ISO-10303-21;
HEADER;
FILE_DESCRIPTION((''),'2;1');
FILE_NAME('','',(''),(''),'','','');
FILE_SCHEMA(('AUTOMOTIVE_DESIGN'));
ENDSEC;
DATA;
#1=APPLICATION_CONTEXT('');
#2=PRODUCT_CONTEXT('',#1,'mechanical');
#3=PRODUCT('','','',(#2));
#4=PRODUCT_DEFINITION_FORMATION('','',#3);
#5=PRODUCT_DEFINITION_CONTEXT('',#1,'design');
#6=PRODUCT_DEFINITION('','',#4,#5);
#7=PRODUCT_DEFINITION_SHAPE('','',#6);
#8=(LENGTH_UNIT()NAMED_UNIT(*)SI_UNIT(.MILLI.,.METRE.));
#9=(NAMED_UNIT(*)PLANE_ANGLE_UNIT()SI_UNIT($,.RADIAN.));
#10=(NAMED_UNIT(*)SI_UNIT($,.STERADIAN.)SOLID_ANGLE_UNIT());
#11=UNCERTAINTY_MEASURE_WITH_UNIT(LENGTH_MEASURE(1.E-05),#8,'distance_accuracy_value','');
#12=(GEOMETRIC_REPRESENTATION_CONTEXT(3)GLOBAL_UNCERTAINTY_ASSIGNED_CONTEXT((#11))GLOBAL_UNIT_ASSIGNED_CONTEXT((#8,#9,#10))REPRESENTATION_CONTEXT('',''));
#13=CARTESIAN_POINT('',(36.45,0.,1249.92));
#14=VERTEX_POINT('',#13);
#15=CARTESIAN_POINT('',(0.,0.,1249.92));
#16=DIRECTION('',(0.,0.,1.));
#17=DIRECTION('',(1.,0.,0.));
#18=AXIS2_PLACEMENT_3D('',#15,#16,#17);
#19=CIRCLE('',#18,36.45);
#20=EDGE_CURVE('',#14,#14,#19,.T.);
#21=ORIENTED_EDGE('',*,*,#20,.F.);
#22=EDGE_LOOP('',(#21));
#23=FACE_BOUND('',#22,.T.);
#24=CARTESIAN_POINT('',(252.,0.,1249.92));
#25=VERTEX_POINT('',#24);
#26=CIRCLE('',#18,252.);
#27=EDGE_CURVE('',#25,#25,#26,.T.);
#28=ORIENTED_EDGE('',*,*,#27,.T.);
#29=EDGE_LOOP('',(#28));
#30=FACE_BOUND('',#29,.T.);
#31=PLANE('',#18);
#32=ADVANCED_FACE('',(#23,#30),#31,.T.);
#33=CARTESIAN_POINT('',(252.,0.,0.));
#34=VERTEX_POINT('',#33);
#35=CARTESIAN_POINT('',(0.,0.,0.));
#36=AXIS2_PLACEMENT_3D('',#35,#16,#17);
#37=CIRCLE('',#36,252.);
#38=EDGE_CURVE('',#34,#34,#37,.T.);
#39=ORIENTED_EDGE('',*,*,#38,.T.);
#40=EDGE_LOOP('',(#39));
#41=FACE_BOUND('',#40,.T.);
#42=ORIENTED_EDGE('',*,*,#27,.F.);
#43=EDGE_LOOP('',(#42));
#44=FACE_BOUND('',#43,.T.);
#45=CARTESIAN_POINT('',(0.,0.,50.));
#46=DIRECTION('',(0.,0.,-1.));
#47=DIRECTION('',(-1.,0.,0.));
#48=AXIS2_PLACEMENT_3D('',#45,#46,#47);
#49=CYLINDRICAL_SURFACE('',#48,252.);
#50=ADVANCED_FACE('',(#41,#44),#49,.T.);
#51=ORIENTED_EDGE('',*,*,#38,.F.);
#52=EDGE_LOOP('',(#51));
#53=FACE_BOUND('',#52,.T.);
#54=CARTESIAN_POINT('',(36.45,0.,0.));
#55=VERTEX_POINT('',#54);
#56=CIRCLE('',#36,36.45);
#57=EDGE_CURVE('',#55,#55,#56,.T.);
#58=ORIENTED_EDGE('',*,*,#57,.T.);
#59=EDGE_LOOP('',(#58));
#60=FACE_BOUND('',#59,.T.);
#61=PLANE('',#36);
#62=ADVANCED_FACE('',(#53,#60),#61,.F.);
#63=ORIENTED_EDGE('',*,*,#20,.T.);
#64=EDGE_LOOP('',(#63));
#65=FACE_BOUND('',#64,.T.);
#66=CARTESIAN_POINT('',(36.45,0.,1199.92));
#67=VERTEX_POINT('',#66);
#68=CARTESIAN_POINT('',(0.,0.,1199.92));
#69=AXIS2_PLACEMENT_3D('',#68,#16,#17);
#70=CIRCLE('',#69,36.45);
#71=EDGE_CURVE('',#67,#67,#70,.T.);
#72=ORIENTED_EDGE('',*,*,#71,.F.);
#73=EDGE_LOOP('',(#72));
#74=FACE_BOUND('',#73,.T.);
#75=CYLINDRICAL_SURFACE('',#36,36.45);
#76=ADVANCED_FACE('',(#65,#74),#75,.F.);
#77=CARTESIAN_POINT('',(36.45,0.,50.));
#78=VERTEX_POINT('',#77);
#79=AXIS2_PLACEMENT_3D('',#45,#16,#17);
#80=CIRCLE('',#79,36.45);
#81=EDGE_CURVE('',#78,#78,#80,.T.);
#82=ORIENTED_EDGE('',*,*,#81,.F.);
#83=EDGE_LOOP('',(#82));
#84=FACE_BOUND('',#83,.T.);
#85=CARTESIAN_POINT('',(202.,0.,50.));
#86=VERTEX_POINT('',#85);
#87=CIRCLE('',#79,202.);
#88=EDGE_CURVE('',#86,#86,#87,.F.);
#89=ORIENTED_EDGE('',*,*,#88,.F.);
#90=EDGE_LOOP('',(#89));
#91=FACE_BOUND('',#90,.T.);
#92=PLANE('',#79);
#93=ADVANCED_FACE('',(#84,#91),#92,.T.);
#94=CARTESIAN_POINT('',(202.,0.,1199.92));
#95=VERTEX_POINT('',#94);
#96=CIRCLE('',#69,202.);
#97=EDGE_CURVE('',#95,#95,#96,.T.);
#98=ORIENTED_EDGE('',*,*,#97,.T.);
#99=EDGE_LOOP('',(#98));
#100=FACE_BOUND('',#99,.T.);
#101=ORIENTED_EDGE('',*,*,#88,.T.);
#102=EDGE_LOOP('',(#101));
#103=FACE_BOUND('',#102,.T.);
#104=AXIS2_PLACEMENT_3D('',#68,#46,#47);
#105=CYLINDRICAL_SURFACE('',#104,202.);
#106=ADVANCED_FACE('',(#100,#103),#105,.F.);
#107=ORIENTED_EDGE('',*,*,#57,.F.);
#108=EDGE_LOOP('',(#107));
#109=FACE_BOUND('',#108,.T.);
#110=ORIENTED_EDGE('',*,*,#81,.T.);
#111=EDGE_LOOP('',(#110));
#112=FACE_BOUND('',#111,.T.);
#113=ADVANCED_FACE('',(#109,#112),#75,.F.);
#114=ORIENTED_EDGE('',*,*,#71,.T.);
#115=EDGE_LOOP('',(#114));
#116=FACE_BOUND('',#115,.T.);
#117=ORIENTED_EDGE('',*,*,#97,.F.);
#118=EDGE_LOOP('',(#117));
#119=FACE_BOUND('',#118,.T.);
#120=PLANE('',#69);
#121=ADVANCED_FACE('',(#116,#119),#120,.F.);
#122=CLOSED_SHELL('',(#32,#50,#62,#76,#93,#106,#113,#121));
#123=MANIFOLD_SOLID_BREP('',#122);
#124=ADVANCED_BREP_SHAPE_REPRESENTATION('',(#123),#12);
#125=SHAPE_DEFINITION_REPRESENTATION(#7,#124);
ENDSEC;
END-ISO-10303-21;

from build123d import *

# Parameters (mm, degrees)
SKETCH1_R           = 252
BOSS_EXTRUDE1_DEPTH = 50
SKETCH2_R           = 252
SKETCH2_R_2         = 202
BOSS_EXTRUDE2_DEPTH = 1149.92
SKETCH3_R           = 252
BOSS_EXTRUDE3_DEPTH = 50
SKETCH4_R           = 36.45
CUT_EXTRUDE1_DEPTH  = 1300.733821365


with BuildPart() as part:
    # Sketch1 → Boss-Extrude1 (new body)
    with BuildSketch(Plane.XY):
        Circle(SKETCH1_R)
    extrude(amount=BOSS_EXTRUDE1_DEPTH)

    # Sketch2 → Boss-Extrude2 (add)
    with BuildSketch(Plane.XY.offset(50)):
        Circle(SKETCH2_R)
        Circle(SKETCH2_R_2, mode=Mode.SUBTRACT)
    extrude(amount=BOSS_EXTRUDE2_DEPTH)

    # Sketch3 → Boss-Extrude3 (add)
    with BuildSketch(Plane.XY.offset(1199.92)):
        Circle(SKETCH3_R)
    extrude(amount=BOSS_EXTRUDE3_DEPTH)

    # Sketch4 → Cut-Extrude1 (cut, through all)
    with BuildSketch(Plane.XY.offset(1249.92)):
        Circle(SKETCH4_R)
    extrude(amount=-CUT_EXTRUDE1_DEPTH, mode=Mode.SUBTRACT)


solid = part.part
